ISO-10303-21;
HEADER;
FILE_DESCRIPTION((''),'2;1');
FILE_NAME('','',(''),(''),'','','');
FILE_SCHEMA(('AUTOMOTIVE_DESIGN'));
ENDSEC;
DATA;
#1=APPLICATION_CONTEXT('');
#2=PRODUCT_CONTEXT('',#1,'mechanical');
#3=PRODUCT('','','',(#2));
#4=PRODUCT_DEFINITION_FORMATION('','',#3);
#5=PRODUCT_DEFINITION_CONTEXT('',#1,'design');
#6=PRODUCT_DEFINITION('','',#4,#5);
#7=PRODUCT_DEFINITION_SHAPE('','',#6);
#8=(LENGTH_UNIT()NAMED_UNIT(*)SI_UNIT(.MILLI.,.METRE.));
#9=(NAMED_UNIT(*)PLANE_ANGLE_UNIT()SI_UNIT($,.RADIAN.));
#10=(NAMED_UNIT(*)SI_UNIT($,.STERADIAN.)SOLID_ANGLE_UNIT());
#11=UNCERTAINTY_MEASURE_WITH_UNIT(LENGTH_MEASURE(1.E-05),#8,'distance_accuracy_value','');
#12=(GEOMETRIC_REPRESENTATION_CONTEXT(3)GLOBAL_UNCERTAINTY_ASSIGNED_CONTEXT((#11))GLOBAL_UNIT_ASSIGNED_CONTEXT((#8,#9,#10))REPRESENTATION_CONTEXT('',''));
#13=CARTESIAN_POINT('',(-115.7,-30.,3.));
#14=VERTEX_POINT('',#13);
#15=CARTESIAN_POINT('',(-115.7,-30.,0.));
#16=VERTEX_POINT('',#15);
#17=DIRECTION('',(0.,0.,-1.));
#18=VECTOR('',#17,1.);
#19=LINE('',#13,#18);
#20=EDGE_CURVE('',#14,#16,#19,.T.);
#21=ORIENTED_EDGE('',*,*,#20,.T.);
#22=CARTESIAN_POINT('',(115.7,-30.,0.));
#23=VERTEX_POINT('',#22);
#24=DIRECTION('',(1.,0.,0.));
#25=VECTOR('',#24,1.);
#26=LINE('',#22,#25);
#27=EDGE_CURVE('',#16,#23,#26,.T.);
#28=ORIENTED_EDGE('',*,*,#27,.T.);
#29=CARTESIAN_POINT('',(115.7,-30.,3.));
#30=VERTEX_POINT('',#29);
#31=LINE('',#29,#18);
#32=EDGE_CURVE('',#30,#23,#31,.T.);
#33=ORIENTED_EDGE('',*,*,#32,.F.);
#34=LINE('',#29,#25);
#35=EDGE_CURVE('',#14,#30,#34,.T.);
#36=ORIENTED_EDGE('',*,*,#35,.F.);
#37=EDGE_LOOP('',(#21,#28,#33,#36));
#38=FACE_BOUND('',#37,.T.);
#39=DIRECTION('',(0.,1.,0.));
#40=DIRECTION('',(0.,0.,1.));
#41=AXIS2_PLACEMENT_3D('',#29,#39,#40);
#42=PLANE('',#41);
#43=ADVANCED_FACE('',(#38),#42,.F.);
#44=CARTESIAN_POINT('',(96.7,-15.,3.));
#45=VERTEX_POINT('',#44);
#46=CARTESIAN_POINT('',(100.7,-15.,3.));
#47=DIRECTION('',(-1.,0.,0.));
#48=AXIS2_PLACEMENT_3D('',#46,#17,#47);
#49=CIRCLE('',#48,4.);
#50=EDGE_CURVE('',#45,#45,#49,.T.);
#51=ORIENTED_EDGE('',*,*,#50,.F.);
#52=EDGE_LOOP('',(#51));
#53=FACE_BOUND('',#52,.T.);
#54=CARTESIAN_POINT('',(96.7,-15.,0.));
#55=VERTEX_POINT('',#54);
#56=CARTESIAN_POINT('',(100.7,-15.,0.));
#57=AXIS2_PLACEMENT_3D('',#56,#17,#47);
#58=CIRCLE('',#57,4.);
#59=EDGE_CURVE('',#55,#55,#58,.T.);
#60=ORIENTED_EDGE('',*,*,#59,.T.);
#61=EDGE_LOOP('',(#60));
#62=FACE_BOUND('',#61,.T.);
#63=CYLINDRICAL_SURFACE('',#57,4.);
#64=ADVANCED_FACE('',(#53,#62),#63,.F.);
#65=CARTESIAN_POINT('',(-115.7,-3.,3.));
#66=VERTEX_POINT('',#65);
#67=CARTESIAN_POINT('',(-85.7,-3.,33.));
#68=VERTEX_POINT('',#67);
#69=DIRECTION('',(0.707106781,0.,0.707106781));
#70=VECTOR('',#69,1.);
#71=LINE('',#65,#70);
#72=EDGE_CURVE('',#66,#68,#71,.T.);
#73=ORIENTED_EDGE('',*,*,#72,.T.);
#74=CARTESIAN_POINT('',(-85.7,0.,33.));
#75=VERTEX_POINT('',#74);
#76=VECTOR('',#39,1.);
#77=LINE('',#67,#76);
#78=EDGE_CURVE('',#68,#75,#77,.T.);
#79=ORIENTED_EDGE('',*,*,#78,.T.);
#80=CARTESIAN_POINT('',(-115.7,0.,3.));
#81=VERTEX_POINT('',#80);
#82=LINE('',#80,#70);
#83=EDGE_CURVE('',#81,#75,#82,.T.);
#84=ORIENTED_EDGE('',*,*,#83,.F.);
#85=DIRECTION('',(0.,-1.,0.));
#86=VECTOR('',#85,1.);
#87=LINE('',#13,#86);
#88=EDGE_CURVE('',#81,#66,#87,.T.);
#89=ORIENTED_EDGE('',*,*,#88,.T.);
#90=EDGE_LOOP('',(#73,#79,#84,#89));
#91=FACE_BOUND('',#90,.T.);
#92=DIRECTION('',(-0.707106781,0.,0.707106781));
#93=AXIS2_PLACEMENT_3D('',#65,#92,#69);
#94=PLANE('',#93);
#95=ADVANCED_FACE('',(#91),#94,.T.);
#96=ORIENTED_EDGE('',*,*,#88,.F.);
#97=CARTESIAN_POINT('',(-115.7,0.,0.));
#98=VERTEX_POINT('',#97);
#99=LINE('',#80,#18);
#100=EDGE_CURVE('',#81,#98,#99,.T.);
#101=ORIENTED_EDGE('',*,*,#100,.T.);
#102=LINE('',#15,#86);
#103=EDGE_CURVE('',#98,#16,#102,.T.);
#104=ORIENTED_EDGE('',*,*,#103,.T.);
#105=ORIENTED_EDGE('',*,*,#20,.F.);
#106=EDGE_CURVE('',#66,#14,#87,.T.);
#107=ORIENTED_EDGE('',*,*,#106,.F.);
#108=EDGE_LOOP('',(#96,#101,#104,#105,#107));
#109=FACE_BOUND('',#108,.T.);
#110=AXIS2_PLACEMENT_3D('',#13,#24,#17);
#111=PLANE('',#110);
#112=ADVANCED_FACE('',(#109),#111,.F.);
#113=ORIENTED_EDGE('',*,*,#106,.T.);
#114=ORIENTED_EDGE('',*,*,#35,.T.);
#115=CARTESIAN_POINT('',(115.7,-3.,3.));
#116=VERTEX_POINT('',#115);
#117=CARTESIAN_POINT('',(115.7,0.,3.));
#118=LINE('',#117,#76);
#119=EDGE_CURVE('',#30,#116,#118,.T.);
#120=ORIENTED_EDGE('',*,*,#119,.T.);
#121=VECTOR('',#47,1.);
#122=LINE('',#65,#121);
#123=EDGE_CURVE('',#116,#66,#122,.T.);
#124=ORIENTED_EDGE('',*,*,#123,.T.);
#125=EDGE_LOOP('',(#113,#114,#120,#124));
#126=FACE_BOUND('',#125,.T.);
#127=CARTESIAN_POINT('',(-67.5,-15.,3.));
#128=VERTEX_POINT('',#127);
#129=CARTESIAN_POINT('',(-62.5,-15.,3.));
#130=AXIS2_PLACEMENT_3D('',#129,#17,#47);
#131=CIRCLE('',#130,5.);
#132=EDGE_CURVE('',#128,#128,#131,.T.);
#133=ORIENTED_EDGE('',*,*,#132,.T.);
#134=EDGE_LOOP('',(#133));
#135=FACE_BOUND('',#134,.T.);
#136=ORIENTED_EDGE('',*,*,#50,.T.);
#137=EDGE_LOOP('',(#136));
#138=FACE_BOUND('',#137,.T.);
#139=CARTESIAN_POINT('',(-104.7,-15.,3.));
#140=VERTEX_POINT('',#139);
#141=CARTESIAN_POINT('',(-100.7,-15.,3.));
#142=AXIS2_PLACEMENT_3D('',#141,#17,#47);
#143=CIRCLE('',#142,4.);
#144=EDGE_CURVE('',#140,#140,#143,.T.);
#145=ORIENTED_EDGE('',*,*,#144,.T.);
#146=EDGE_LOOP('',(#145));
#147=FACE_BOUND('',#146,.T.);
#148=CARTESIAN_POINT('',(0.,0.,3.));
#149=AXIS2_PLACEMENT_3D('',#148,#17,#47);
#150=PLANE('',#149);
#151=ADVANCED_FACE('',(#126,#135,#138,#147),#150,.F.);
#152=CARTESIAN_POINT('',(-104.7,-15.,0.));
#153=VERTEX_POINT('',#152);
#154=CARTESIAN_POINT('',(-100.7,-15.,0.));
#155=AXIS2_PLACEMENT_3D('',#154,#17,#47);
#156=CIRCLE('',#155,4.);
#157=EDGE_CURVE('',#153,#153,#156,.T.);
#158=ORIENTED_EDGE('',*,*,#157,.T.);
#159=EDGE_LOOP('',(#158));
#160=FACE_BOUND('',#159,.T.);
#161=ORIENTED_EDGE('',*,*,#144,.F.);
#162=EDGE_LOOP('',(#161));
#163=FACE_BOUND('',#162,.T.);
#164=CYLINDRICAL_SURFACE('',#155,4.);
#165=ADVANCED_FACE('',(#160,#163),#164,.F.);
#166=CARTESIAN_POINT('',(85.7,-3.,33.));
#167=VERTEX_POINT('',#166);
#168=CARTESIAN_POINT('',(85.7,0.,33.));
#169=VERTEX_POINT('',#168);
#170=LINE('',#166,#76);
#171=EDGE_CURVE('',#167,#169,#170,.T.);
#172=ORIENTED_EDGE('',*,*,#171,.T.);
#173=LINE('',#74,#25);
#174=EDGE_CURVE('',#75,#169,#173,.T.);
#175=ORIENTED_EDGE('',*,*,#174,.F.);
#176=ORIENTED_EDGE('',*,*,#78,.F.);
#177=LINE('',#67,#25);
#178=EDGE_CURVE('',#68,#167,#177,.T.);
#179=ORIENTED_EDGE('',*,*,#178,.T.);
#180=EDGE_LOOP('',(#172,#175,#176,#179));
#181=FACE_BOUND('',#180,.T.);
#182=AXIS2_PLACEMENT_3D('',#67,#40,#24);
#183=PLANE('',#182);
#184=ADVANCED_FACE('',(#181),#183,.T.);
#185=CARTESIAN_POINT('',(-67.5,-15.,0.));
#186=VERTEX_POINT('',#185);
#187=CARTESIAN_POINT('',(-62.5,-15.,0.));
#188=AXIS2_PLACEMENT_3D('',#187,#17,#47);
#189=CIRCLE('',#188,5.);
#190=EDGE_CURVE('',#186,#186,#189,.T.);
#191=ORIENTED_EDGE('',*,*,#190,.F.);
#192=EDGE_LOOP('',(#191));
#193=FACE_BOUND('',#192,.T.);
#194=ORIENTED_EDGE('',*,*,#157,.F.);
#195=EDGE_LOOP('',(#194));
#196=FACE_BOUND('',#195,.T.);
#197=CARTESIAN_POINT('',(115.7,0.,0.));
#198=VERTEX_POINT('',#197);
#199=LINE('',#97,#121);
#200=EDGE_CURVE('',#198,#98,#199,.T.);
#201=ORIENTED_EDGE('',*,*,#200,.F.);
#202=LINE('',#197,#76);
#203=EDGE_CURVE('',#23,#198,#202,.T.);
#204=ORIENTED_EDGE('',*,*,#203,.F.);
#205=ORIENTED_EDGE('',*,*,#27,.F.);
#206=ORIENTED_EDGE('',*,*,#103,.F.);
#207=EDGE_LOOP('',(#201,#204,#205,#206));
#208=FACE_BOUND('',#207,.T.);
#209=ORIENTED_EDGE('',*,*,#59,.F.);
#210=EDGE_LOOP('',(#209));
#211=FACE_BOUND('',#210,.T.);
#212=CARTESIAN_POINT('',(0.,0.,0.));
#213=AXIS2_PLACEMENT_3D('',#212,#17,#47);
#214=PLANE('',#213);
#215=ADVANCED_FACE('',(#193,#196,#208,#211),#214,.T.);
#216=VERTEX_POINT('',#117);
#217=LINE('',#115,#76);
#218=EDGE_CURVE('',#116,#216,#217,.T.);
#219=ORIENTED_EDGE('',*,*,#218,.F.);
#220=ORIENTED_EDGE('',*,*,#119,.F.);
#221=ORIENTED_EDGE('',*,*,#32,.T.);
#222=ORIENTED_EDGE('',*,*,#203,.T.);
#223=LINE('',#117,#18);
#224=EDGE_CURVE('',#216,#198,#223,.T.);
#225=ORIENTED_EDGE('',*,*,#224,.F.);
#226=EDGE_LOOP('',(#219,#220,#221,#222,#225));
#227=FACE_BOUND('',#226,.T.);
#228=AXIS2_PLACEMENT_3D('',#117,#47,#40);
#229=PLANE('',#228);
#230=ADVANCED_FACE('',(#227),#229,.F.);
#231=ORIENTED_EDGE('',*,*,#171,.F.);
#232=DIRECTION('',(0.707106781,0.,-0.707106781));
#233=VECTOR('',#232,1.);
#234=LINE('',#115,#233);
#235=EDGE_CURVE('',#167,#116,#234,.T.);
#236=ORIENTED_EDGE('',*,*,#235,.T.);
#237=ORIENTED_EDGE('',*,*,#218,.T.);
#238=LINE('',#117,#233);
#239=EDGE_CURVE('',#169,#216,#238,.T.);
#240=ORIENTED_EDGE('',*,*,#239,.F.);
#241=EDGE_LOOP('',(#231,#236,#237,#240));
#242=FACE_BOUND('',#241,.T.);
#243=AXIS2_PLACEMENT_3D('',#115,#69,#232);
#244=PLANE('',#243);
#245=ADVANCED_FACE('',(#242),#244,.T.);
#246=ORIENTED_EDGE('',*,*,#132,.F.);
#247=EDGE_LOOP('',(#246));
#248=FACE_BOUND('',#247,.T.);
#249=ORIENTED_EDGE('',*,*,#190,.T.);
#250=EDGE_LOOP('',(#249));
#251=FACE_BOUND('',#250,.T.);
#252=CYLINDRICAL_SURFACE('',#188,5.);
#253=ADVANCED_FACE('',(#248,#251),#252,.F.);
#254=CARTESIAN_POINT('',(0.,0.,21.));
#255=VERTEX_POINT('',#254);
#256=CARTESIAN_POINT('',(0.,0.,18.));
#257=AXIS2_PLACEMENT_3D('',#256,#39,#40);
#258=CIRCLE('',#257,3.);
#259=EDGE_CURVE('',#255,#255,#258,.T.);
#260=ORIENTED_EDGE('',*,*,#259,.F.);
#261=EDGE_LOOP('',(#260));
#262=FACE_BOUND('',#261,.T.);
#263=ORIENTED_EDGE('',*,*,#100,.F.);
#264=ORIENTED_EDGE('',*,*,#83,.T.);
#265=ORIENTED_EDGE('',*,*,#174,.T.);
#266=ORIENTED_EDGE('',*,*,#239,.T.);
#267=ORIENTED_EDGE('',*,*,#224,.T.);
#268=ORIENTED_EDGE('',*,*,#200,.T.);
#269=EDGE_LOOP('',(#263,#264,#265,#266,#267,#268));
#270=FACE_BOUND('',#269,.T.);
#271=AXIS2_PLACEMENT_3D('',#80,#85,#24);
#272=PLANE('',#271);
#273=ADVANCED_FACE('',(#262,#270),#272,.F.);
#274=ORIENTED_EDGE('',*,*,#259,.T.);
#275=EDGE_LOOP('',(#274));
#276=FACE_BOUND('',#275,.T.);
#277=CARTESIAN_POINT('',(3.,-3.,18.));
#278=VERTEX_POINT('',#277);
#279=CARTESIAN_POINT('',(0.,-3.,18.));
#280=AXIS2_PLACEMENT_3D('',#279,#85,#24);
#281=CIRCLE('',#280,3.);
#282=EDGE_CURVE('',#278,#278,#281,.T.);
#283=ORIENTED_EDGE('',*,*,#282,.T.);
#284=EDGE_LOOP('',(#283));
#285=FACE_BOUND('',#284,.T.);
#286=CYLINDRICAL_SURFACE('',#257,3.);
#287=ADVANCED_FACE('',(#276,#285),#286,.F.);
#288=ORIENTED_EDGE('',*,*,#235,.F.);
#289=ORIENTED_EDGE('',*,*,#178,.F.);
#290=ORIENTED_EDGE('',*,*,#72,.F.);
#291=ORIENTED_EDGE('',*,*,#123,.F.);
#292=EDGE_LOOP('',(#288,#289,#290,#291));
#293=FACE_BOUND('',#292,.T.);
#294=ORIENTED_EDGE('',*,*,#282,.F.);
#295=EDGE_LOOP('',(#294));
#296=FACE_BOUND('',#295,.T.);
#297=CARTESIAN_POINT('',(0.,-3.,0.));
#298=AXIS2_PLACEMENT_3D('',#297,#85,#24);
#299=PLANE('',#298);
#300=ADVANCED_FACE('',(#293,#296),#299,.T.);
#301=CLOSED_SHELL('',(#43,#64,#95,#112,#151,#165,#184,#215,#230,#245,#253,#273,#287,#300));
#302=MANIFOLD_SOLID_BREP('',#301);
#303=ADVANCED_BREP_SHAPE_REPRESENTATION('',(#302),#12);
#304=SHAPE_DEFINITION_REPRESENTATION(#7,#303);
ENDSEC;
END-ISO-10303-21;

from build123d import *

# Parameters (mm, degrees)
SKETCH1_W                  = 231.4
SKETCH1_H                  = 30
BOSS_EXTRUDE1_DEPTH        = 3
BOSS_EXTRUDE2_DEPTH        = 3
F_8_0_8_DIAMETER_HOLE1_D   = 8
F_10_0_10_DIAMETER_HOLE1_D = 10
F_6_0_6_DIAMETER_HOLE1_D   = 6


with BuildPart() as part:
    # Sketch1 → Boss-Extrude1 (new body)
    with BuildSketch(Plane.XY):
        with Locations((0, -15)):
            Rectangle(SKETCH1_W, SKETCH1_H)
    extrude(amount=BOSS_EXTRUDE1_DEPTH)

    # Sketch2 → Boss-Extrude2 (add)
    with BuildSketch(Plane(origin=(0, 0, 0), x_dir=(1, 0, 0), z_dir=(0, 1, 0))):
        Polygon((-115.7, -3), (115.7, -3), (85.7, -33), (-85.7, -33), align=None)
    extrude(amount=-BOSS_EXTRUDE2_DEPTH)

    # Ø8.0 (8) Diameter Hole1 (through all)
    with Locations(Plane(origin=(0, 0, 0), x_dir=(-1, 0, 0), z_dir=(0, 0, -1))):
        with Locations((-100.7, -15), (100.7, -15)):
            Hole(F_8_0_8_DIAMETER_HOLE1_D / 2)

    # Ø10.0 (10) Diameter Hole1 (through all)
    with Locations(Plane(origin=(0, 0, 0), x_dir=(-1, 0, 0), z_dir=(0, 0, -1))):
        with Locations((62.5, -15)):
            Hole(F_10_0_10_DIAMETER_HOLE1_D / 2)

    # Ø6.0 (6) Diameter Hole1 (through all)
    with Locations(Plane(origin=(0, 0, 0), x_dir=(1, 0, 0), z_dir=(0, 1, 0))):
        with Locations((0, -18)):
            Hole(F_6_0_6_DIAMETER_HOLE1_D / 2)


solid = part.part
